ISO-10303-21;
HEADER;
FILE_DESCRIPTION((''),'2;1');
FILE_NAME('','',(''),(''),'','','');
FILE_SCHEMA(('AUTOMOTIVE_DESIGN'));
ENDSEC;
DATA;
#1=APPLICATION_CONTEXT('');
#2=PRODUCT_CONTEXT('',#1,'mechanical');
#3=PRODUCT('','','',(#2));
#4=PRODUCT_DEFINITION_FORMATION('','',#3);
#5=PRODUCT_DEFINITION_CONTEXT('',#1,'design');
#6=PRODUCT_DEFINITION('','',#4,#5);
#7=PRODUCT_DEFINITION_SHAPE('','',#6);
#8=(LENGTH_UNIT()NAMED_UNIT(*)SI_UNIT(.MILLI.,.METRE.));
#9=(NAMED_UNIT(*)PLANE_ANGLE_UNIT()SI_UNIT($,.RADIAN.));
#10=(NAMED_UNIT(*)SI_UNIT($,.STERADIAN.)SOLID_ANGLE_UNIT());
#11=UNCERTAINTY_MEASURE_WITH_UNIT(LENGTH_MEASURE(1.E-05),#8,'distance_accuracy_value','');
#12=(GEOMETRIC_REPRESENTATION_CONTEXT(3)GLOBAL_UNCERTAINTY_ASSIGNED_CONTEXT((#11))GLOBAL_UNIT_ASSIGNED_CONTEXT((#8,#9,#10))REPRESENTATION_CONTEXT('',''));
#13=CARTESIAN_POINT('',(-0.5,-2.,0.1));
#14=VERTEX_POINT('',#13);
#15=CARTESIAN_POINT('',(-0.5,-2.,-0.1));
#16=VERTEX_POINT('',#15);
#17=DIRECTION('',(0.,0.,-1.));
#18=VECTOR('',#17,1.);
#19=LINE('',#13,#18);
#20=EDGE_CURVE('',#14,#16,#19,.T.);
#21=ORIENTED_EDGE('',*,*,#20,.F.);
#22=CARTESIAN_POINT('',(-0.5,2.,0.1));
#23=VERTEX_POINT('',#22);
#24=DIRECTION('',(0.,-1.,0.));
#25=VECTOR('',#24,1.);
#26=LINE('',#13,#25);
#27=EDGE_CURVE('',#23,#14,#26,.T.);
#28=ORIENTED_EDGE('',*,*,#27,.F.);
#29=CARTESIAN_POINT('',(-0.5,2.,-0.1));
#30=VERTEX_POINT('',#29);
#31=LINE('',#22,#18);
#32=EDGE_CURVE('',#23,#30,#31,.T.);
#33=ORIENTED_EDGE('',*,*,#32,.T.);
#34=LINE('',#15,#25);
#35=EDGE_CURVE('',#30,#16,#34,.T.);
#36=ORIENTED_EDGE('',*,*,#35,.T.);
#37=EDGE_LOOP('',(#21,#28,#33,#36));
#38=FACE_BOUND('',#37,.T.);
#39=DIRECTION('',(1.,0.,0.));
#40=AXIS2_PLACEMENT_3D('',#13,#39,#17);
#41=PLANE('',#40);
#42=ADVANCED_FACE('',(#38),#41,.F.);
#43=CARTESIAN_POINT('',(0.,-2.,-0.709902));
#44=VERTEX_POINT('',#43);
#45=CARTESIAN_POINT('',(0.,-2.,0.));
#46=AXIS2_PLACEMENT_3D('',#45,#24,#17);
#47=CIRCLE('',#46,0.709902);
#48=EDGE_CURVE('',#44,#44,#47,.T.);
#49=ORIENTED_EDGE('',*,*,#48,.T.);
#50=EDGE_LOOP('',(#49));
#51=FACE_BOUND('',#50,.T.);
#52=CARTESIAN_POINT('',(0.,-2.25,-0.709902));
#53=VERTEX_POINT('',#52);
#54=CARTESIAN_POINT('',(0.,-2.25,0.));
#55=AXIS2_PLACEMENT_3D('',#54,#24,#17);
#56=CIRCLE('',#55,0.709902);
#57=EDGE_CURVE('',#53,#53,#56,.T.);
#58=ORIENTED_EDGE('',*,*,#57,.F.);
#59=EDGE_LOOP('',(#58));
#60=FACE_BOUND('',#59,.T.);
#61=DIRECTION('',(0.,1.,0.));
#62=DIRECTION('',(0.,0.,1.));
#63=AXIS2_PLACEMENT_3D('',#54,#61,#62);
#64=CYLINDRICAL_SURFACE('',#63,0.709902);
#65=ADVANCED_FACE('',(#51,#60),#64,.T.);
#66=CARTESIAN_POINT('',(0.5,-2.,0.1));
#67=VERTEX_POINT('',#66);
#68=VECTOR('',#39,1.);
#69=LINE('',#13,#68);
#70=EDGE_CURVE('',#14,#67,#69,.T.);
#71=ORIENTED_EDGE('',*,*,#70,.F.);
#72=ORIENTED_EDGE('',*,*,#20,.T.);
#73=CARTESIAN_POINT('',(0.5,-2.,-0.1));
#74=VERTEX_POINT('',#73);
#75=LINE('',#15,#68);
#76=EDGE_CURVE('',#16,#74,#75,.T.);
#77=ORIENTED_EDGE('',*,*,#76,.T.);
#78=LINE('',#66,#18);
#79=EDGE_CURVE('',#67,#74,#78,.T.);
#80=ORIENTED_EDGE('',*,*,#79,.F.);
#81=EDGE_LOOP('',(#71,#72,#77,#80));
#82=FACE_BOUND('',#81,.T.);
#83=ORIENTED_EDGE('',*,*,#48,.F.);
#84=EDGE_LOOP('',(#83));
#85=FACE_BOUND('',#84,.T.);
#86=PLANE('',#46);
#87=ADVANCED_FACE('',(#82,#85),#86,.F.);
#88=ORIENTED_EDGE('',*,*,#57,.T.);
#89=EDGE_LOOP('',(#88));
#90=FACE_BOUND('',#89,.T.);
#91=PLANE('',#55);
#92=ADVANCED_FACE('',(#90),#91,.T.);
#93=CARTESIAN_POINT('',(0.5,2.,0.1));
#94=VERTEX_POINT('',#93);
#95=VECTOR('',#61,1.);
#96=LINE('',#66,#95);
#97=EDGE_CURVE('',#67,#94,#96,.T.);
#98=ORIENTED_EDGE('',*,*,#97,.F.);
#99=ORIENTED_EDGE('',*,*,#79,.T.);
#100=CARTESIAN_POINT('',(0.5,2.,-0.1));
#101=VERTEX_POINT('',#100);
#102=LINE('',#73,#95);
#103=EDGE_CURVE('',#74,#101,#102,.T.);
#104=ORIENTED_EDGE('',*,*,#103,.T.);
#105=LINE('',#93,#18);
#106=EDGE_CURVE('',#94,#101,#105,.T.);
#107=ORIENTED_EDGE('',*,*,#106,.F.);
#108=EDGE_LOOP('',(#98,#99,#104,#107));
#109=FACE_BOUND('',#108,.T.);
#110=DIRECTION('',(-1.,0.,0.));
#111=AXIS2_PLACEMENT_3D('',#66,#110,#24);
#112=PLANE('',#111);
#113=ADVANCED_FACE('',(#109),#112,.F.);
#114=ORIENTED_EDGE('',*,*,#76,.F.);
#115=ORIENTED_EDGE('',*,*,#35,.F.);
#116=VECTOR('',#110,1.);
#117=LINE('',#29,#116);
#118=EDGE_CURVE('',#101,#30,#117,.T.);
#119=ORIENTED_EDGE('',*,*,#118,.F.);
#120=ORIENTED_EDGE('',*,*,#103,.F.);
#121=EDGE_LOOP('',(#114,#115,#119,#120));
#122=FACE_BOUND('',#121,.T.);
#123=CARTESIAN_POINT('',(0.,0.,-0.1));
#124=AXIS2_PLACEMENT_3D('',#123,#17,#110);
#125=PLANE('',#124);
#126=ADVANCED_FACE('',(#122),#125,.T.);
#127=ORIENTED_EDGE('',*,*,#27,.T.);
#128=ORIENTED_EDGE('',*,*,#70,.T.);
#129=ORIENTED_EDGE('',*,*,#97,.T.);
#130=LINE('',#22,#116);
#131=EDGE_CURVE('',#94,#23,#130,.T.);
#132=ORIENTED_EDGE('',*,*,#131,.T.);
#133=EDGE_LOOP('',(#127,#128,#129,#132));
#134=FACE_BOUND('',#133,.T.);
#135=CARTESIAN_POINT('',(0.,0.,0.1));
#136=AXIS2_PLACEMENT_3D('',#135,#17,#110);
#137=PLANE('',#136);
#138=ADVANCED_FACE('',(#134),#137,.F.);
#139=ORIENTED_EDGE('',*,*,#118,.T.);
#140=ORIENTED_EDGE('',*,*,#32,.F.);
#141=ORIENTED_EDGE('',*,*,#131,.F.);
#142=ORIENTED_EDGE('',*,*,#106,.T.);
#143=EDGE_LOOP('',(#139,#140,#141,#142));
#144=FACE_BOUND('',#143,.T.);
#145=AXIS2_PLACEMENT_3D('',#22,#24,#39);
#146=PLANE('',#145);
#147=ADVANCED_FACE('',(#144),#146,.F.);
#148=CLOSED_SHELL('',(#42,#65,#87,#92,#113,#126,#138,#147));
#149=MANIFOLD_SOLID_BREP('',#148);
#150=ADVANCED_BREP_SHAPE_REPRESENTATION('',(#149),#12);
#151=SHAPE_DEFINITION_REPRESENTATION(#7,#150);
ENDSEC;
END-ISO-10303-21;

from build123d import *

# Parameters (mm, degrees)
SKETCH1_W           = 1
SKETCH1_H           = 4
BOSS_EXTRUDE1_DEPTH = 0.1
SKETCH3_R           = 0.709901951
BOSS_EXTRUDE3_DEPTH = 0.25


with BuildPart() as part:
    # Sketch1 → Boss-Extrude1 (new body, symmetric)
    with BuildSketch(Plane.XY):
        Rectangle(SKETCH1_W, SKETCH1_H)
    extrude(amount=BOSS_EXTRUDE1_DEPTH, both=True)

    # Sketch3 → Boss-Extrude3 (add)
    with BuildSketch(Plane.XZ.offset(2)):
        Circle(SKETCH3_R)
    extrude(amount=BOSS_EXTRUDE3_DEPTH)


solid = part.part
